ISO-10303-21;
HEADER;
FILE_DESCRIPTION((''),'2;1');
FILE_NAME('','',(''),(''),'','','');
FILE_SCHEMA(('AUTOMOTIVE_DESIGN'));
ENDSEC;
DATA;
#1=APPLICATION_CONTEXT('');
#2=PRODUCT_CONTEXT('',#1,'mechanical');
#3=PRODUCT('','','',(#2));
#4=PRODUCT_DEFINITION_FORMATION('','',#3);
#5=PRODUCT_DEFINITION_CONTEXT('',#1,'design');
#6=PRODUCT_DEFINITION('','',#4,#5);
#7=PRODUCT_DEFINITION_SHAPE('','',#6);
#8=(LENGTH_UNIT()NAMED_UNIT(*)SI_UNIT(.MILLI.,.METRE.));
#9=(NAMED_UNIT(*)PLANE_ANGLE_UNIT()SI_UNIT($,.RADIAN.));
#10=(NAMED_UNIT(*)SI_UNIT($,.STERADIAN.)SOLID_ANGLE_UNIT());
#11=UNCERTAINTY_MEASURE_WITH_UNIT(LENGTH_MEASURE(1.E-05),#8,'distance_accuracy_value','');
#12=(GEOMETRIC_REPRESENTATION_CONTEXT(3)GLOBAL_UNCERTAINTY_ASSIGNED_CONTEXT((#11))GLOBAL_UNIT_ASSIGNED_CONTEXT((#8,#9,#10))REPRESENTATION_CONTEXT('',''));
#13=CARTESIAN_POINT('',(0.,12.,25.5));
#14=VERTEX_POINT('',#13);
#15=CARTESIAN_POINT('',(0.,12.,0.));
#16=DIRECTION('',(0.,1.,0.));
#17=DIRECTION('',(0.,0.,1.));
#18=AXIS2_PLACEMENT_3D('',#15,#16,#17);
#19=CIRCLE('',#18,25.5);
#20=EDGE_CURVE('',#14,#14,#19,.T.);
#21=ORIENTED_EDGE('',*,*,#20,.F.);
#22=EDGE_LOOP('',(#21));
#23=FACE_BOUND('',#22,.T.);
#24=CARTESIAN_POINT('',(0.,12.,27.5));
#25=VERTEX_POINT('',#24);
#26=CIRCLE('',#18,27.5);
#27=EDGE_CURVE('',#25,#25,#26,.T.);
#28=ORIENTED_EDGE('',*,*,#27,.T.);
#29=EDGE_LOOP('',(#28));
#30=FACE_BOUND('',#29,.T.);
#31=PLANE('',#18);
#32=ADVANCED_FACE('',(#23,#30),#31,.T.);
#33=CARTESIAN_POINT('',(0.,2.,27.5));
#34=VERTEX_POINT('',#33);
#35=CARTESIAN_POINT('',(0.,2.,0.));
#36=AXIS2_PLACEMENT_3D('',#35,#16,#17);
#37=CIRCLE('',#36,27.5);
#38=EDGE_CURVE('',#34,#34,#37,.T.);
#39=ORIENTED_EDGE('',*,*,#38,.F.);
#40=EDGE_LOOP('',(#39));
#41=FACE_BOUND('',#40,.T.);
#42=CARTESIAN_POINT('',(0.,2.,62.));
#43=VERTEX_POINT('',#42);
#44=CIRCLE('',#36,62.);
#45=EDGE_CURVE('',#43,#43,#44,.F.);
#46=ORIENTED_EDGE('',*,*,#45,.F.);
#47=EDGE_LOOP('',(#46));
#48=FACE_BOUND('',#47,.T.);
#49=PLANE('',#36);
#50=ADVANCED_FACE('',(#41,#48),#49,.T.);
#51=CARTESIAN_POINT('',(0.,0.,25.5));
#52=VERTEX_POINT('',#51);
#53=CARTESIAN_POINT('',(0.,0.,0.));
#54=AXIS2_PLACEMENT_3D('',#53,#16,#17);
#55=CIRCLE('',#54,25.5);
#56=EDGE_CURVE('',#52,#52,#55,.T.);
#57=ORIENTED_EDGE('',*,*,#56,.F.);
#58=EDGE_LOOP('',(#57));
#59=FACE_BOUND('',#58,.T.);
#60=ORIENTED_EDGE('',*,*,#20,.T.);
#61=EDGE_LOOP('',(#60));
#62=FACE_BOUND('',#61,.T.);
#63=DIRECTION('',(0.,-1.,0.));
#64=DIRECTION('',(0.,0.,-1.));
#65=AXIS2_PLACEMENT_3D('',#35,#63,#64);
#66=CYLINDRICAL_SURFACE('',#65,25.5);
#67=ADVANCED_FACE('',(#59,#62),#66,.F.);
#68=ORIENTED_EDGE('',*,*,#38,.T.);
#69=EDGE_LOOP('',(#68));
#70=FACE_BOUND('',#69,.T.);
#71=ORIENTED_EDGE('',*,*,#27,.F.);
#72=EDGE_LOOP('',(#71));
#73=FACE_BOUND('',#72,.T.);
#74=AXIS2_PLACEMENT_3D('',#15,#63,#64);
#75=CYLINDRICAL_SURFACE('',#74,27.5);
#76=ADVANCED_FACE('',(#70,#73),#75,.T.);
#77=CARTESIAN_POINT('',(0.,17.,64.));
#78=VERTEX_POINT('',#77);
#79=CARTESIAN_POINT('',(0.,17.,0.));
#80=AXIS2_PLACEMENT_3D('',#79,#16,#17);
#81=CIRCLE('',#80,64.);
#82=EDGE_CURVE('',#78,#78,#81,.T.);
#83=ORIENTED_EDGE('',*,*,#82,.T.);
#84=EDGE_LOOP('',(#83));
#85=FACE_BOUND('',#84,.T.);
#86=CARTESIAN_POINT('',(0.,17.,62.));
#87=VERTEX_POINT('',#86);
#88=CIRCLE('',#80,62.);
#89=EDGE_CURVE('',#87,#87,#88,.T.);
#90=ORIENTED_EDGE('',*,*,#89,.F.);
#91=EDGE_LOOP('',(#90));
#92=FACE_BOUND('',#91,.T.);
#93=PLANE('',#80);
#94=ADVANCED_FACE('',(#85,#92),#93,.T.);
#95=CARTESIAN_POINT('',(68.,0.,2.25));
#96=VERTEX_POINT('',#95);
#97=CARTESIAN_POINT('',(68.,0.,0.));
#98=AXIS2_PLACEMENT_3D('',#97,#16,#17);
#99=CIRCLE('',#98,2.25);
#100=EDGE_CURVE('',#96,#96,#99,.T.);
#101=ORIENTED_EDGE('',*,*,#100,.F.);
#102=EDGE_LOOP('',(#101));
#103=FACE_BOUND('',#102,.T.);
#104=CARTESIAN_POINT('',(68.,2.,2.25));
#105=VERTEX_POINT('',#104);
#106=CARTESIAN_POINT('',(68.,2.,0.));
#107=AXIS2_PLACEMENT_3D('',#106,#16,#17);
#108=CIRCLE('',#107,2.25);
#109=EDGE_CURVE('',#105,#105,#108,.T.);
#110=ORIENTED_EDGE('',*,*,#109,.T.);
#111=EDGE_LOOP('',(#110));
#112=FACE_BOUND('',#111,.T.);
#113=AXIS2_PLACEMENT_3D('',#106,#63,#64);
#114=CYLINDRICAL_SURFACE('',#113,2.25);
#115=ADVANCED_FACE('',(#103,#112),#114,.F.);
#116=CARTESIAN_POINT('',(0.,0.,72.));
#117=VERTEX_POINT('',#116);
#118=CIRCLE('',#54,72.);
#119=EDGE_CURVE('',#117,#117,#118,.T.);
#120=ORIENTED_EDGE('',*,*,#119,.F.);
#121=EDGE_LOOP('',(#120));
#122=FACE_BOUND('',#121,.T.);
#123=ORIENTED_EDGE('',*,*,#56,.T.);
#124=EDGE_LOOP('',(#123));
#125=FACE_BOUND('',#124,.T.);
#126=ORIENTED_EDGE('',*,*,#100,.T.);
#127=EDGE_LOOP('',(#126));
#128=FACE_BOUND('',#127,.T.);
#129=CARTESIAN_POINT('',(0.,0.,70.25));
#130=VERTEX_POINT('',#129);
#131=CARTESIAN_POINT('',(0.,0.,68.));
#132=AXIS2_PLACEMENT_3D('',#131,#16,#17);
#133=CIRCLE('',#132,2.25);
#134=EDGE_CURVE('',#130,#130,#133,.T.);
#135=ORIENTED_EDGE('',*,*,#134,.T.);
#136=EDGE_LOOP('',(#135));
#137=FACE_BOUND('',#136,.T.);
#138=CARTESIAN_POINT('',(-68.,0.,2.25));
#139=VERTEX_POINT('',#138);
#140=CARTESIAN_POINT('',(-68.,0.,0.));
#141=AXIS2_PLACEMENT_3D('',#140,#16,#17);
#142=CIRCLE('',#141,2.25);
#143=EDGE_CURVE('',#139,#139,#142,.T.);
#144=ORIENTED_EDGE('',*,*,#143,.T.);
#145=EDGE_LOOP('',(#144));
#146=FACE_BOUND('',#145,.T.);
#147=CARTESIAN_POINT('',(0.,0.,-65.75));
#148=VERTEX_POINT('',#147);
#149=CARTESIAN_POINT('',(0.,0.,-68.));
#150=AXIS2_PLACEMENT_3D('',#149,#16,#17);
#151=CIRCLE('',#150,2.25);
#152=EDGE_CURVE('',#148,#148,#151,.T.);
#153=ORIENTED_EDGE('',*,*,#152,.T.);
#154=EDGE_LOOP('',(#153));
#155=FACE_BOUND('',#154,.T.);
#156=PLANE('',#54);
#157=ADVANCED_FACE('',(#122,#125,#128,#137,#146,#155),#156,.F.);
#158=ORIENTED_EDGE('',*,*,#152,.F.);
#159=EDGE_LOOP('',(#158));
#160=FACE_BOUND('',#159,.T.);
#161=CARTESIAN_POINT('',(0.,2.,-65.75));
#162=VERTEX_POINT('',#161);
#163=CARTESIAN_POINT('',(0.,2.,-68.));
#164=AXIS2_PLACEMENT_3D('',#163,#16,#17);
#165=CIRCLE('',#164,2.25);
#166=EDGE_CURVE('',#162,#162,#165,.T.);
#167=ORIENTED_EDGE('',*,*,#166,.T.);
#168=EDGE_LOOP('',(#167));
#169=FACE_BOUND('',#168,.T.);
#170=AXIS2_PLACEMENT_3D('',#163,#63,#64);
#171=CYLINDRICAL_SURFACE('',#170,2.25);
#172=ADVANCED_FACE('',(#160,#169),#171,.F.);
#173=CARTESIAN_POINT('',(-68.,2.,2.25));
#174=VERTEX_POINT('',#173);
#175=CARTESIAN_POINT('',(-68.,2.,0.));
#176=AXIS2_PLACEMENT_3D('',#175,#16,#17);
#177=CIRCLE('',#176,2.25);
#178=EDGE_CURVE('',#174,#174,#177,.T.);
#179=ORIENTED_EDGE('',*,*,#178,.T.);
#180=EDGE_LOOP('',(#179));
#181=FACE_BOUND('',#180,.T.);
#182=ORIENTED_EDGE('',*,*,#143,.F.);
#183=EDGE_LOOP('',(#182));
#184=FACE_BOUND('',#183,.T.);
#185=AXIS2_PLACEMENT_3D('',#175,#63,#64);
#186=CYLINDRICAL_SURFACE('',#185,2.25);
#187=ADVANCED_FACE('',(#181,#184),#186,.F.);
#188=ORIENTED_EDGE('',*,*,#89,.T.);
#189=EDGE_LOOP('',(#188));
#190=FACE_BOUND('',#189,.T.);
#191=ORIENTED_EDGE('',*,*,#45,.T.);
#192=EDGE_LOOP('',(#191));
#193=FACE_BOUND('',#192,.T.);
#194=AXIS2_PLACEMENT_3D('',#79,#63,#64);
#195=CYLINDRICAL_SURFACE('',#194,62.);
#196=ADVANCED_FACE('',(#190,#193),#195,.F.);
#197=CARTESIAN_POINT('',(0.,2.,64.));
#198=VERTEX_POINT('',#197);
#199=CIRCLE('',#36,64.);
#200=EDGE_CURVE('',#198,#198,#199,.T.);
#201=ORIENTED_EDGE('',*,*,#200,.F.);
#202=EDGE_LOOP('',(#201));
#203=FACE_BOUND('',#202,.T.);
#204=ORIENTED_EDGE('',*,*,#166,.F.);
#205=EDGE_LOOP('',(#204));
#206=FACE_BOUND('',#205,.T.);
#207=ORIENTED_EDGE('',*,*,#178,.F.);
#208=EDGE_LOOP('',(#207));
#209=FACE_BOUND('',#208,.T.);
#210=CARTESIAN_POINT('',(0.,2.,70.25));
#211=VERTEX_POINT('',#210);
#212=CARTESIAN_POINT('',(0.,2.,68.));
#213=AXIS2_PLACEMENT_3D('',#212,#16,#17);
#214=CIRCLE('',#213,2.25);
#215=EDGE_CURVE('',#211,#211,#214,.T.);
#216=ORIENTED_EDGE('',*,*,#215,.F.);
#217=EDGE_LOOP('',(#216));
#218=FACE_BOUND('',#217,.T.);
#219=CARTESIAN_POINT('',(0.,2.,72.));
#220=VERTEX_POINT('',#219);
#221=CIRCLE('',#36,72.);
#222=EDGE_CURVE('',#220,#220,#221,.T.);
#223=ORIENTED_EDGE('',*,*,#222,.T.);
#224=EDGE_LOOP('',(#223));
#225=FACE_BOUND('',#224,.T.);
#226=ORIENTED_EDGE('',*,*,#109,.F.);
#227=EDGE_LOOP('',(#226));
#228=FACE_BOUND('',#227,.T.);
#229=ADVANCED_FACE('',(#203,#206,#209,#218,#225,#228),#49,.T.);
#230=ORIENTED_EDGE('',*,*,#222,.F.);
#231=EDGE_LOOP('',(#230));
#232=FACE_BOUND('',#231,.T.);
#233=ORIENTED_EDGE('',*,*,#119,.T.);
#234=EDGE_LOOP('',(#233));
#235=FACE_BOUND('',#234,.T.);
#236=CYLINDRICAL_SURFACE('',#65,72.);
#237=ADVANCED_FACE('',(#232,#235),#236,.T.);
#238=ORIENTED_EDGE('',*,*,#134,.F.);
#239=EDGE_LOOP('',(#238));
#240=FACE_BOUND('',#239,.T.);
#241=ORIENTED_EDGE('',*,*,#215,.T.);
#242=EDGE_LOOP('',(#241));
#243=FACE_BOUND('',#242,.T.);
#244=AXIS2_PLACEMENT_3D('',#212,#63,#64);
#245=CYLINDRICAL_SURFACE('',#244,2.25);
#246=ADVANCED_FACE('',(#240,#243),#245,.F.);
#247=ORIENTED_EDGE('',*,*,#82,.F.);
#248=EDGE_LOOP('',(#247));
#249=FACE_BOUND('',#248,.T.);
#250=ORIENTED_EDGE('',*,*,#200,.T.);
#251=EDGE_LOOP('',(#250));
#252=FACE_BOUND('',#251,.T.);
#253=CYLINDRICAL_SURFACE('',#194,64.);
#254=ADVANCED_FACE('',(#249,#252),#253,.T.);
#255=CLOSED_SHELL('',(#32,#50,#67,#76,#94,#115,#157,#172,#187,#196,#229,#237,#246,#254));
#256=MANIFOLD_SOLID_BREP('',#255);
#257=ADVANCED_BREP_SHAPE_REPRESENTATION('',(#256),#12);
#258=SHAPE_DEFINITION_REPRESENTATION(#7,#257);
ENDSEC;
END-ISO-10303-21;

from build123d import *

# Parameters (mm, degrees)
SKETCH1_R           = 72
SKETCH1_R_2         = 2.25
SKETCH1_R_3         = 25.5
BOSS_EXTRUDE1_DEPTH = 2
SKETCH2_R           = 27.5
SKETCH2_R_2         = 25.5
BOSS_EXTRUDE2_DEPTH = 10
SKETCH3_R           = 64
SKETCH3_R_2         = 62
BOSS_EXTRUDE3_DEPTH = 15


with BuildPart() as part:
    # Sketch1 → Boss-Extrude1 (new body)
    with BuildSketch(Plane(origin=(0, 0, 0), x_dir=(1, 0, 0), z_dir=(0, 1, 0))):
        with Locations(Location((0, 0, 0), (0, 0, 270))):
            Circle(SKETCH1_R)
        with Locations(Location((68, 0, 0), (0, 0, 270))):
            Circle(SKETCH1_R_2, mode=Mode.SUBTRACT)
        with Locations(Location((0, -68, 0), (0, 0, 270))):
            Circle(SKETCH1_R_2, mode=Mode.SUBTRACT)
        with Locations(Location((-68, 0, 0), (0, 0, 270))):
            Circle(SKETCH1_R_2, mode=Mode.SUBTRACT)
        with Locations(Location((0, 68, 0), (0, 0, 270))):
            Circle(SKETCH1_R_2, mode=Mode.SUBTRACT)
        with Locations(Location((0, 0, 0), (0, 0, 270))):
            Circle(SKETCH1_R_3, mode=Mode.SUBTRACT)
    extrude(amount=BOSS_EXTRUDE1_DEPTH)

    # Sketch2 → Boss-Extrude2 (add)
    with BuildSketch(Plane(origin=(0, 2, 0), x_dir=(1, 0, 0), z_dir=(0, 1, 0))):
        with Locations(Location((0, 0, 0), (0, 0, 270))):
            Circle(SKETCH2_R)
        with Locations(Location((0, 0, 0), (0, 0, 270))):
            Circle(SKETCH2_R_2, mode=Mode.SUBTRACT)
    extrude(amount=BOSS_EXTRUDE2_DEPTH)

    # Sketch3 → Boss-Extrude3 (add)
    with BuildSketch(Plane(origin=(0, 2, 0), x_dir=(1, 0, 0), z_dir=(0, 1, 0))):
        with Locations(Location((0, 0, 0), (0, 0, 270))):
            Circle(SKETCH3_R)
        with Locations(Location((0, 0, 0), (0, 0, 270))):
            Circle(SKETCH3_R_2, mode=Mode.SUBTRACT)
    extrude(amount=BOSS_EXTRUDE3_DEPTH)


solid = part.part
